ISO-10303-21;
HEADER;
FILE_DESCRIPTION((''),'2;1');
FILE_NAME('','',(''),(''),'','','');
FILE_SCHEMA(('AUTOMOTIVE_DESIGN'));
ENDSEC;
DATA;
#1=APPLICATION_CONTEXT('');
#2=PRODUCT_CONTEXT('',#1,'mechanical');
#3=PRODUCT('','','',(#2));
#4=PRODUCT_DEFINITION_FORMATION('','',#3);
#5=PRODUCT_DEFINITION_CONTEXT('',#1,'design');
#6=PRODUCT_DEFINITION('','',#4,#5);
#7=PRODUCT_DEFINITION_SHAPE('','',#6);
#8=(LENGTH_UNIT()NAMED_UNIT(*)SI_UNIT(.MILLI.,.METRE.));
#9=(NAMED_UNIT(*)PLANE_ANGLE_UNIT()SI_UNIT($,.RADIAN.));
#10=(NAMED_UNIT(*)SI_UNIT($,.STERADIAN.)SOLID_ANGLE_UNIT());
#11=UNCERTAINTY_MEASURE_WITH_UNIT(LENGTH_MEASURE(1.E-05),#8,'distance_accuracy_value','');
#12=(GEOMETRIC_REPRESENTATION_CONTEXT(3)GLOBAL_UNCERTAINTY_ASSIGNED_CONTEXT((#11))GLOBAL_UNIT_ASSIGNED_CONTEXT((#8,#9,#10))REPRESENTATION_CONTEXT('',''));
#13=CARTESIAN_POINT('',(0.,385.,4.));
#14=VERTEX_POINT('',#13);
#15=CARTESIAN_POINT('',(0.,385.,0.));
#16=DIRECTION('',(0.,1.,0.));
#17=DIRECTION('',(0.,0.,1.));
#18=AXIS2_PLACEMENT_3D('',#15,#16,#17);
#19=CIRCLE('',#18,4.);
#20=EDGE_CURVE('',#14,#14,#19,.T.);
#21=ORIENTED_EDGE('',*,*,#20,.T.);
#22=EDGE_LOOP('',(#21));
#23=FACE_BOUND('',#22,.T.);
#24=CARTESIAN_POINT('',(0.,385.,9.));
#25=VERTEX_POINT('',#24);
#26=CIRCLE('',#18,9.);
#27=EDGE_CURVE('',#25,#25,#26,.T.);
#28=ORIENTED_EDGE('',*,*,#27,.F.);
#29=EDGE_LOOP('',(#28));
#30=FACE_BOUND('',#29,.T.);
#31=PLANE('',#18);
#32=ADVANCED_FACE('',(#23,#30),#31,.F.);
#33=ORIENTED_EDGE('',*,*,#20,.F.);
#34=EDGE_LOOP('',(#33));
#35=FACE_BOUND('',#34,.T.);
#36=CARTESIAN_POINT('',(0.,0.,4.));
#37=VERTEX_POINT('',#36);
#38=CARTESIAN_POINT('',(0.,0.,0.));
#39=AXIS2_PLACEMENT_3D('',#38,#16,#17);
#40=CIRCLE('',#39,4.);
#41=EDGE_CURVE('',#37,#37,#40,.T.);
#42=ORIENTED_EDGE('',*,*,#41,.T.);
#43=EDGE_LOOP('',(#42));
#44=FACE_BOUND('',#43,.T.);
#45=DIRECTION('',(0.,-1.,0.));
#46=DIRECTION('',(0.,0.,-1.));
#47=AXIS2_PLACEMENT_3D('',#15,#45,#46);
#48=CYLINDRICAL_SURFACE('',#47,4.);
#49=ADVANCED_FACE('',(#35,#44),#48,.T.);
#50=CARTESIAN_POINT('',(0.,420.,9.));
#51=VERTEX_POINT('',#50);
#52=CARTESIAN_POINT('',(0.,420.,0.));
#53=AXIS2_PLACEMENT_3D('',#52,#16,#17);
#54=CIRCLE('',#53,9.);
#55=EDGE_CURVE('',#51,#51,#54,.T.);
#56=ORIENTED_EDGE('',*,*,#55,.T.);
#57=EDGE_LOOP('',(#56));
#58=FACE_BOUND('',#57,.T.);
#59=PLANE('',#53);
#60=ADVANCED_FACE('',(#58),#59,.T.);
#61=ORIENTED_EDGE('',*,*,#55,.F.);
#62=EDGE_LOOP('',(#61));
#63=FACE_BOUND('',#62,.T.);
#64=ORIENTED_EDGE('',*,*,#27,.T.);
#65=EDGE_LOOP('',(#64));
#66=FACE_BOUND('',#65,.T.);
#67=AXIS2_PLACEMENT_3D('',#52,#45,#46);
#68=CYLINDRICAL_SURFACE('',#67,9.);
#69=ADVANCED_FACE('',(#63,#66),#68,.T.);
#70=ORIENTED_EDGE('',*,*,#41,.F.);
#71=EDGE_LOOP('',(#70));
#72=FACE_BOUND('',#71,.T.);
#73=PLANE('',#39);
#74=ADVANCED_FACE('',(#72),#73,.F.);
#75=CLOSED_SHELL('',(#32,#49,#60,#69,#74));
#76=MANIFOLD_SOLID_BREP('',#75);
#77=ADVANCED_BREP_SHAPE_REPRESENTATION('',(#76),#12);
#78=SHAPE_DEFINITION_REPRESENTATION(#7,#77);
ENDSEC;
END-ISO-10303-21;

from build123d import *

# Parameters (mm, degrees)
ESQUISSE1_R        = 4
BOSS_EXTRU_1_DEPTH = 385
ESQUISSE2_R        = 9
BOSS_EXTRU_2_DEPTH = 35


with BuildPart() as part:
    # Esquisse1 → Boss.-Extru.1 (new body)
    with BuildSketch(Plane(origin=(0, 0, 0), x_dir=(1, 0, 0), z_dir=(0, 1, 0))):
        with Locations(Location((0, 0, 0), (0, 0, 270))):
            Circle(ESQUISSE1_R)
    extrude(amount=BOSS_EXTRU_1_DEPTH)

    # Esquisse2 → Boss.-Extru.2 (add)
    with BuildSketch(Plane(origin=(0, 385, 0), x_dir=(1, 0, 0), z_dir=(0, 1, 0))):
        with Locations(Location((0, 0, 0), (0, 0, 270))):
            Circle(ESQUISSE2_R)
    extrude(amount=BOSS_EXTRU_2_DEPTH)


solid = part.part
